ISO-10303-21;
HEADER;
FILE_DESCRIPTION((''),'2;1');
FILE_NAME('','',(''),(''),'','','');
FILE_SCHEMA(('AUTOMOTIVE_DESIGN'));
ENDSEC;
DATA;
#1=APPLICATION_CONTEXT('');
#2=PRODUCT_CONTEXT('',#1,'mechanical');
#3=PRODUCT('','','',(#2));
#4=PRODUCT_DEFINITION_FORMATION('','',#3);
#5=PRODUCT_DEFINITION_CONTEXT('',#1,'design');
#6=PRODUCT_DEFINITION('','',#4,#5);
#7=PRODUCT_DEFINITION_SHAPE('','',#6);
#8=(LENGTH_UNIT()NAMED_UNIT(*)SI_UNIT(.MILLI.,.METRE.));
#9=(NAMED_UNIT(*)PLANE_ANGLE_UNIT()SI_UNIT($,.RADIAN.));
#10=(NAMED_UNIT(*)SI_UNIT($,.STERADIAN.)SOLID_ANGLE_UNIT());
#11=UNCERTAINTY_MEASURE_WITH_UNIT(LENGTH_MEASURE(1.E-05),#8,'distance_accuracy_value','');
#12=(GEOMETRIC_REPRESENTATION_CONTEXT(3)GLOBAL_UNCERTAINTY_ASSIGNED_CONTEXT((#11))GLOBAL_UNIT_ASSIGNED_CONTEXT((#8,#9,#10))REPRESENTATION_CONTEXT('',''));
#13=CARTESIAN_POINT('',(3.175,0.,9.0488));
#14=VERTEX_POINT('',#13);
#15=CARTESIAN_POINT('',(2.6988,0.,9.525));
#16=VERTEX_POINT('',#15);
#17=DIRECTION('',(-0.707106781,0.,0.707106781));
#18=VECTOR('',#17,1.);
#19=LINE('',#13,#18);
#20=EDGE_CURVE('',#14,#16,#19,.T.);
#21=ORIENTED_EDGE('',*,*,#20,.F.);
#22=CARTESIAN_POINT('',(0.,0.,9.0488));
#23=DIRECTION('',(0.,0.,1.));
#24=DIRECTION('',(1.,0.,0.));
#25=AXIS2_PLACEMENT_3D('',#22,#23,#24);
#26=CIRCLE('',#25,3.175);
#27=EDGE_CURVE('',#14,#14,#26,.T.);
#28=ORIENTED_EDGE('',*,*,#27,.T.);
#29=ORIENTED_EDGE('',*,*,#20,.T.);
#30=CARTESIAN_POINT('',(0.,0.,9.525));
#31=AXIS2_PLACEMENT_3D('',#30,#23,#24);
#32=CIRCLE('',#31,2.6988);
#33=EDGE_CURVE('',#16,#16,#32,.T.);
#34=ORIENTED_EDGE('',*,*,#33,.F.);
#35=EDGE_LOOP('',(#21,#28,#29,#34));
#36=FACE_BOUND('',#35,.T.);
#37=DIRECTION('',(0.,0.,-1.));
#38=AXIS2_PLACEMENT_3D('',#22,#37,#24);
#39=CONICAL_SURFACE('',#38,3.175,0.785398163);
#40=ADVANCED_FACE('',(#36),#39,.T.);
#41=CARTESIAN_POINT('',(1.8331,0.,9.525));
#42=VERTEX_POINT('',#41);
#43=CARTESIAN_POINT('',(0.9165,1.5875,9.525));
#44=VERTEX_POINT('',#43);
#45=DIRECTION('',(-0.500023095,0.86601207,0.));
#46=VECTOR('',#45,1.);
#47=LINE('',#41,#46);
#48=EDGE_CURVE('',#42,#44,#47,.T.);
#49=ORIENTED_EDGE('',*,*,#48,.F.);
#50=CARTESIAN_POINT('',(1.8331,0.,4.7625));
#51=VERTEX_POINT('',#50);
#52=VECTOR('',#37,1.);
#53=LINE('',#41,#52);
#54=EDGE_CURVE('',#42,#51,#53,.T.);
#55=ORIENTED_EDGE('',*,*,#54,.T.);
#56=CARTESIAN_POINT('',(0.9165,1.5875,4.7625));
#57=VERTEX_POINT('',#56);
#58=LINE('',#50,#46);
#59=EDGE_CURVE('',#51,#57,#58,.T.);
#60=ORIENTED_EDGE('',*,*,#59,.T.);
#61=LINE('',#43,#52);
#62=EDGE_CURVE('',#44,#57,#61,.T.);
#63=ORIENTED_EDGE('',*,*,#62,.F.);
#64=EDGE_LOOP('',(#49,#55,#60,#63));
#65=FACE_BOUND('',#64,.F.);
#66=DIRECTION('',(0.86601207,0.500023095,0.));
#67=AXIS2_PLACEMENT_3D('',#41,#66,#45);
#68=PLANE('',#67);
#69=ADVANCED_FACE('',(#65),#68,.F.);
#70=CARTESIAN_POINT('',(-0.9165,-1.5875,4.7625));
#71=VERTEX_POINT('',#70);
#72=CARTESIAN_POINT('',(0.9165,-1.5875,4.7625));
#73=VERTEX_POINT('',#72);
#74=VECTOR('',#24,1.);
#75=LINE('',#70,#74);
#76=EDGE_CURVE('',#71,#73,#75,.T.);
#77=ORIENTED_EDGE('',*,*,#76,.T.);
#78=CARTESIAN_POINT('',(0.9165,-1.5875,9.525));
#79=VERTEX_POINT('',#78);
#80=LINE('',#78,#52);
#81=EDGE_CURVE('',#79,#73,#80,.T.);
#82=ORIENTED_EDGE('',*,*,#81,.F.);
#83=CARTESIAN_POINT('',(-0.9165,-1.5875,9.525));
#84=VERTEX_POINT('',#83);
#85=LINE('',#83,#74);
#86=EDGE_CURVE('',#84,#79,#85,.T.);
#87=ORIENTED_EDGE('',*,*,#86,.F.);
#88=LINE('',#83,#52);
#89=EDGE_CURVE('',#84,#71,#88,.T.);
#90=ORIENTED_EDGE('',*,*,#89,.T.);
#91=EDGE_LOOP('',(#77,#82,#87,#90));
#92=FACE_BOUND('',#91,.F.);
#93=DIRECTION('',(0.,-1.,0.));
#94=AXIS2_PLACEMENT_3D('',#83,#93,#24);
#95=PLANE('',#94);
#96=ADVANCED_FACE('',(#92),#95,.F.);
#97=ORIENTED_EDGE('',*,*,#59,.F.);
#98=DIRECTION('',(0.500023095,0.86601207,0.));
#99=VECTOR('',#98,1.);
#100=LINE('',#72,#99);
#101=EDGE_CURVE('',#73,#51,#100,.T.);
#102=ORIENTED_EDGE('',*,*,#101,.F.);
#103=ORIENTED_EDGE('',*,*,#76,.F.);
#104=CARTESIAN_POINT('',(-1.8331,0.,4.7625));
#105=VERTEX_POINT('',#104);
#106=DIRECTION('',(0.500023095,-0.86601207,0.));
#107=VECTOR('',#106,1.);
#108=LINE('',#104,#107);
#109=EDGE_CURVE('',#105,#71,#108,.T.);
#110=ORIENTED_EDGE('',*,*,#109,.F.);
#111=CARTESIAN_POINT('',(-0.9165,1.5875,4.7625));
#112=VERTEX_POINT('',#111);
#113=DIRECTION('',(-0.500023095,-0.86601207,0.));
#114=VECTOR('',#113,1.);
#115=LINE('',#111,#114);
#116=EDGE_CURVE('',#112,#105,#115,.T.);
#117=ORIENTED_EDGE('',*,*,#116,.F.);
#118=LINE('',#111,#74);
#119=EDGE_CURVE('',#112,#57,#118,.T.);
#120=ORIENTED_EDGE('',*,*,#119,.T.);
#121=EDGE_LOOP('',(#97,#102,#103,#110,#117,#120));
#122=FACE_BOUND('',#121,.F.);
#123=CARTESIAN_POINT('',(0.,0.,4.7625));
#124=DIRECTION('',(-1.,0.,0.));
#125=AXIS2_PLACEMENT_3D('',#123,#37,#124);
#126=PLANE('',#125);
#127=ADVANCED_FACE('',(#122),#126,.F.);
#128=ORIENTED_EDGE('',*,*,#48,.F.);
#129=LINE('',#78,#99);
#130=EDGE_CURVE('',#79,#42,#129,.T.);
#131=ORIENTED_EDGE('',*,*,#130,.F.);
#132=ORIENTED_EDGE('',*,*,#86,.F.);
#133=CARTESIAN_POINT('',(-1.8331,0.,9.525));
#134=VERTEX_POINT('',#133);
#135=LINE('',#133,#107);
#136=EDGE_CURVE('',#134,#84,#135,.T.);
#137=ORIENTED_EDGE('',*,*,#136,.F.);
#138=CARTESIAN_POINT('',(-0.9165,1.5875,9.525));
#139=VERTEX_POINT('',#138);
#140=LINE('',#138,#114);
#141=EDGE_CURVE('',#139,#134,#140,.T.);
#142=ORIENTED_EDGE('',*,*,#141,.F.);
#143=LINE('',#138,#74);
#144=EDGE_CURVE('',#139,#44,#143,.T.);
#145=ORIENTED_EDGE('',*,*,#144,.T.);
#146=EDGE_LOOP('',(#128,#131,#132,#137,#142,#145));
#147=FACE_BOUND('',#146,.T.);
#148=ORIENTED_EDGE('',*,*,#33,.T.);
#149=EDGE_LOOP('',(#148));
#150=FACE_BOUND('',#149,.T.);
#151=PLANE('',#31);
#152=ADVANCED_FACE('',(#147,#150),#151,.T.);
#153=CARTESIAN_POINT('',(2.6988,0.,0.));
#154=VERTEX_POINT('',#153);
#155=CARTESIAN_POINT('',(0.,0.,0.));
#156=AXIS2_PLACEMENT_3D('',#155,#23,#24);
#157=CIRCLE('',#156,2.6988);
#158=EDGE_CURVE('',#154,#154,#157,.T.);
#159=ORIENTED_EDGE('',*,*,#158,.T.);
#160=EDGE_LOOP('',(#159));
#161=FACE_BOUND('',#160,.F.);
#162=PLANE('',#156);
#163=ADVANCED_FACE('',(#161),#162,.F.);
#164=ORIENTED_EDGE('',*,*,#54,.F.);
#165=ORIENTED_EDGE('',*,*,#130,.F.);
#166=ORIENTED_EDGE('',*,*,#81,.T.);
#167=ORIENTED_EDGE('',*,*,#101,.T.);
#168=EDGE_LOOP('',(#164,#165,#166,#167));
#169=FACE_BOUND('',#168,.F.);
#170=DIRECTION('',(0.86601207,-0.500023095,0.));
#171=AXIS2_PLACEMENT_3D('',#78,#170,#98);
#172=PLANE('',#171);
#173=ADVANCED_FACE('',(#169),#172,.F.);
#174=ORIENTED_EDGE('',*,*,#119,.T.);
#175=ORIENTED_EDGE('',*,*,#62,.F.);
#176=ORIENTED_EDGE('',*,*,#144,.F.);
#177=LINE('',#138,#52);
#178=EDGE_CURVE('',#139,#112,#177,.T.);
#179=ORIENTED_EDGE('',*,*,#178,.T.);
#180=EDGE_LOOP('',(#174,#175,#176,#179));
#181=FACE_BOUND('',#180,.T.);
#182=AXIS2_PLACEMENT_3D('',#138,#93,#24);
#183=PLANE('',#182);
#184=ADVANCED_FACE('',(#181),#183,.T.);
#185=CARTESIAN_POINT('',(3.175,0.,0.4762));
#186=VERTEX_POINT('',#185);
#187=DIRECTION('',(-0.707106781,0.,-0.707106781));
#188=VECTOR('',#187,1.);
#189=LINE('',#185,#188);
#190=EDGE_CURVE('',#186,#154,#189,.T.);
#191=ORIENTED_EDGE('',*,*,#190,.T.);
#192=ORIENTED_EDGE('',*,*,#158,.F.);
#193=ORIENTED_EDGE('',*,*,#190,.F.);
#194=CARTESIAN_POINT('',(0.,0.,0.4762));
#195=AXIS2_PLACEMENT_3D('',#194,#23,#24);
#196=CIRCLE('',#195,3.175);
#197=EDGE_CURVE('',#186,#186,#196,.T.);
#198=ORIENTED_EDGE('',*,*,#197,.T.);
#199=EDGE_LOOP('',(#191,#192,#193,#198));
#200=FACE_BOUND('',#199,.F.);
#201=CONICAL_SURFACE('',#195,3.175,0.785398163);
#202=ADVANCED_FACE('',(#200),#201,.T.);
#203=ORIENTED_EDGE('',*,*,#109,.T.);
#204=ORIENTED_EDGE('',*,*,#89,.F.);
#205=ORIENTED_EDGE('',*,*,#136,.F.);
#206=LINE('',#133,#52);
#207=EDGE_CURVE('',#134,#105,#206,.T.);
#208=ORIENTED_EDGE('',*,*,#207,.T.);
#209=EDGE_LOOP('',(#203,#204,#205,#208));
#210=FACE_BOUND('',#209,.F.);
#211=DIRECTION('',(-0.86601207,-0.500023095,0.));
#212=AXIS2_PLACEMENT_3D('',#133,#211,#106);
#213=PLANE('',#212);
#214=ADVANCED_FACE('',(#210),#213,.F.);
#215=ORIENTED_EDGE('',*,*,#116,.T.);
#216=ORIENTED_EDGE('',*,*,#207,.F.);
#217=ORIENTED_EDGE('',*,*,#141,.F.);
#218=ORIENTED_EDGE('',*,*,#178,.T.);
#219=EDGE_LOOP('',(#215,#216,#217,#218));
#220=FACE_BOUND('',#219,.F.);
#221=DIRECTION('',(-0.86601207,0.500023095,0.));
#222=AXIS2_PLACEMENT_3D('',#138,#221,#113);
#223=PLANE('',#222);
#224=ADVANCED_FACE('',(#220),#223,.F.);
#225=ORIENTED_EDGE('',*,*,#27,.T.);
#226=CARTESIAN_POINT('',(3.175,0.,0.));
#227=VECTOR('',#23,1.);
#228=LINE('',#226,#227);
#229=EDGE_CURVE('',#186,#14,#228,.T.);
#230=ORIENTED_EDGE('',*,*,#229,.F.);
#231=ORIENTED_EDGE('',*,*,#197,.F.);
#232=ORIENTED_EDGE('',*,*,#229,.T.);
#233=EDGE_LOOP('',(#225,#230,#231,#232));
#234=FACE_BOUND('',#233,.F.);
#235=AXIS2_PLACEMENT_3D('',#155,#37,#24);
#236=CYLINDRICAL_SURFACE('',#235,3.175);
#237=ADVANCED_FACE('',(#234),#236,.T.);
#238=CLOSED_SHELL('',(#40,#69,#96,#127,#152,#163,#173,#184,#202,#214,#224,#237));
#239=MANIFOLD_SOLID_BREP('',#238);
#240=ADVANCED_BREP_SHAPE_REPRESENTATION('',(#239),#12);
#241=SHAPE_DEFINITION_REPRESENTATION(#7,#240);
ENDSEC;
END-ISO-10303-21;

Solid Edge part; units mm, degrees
sketch "Sketch1" plane through (0, 0, 0) normal (0, 0, 1) x (1, 0, 0)
  circle A0 centre (0, 0) radius 3.175
  dimension "D1" = 6.35
extrude "Protrusion1" add sketch "Sketch1" along normal blind 9.525
chamfer "Chamfer1" distance 0.4762 angle 45 2 edges at (-3.175, 0, 0) (-3.175, 0, 9.525)
sketch "Sketch2" plane through (0, 0, 9.525) normal (0, 0, 1) x (1, 0, 0)
  line L0 (-0.9165, 1.5875) -> (0.9165, 1.5875)
  line L1 (1.8331, 0) -> (0.9165, 1.5875)
  line L2 (0.9165, -1.5875) -> (1.8331, 0)
  line L3 (-0.9165, -1.5875) -> (0.9165, -1.5875)
  line L4 (-1.8331, 0) -> (-0.9165, -1.5875)
  line L5 (-0.9165, 1.5875) -> (-1.8331, 0)
  dimension "D1" = 3.175
extrude "Cutout1" cut sketch "Sketch2" against normal blind 4.7625
properties part number "117614"
